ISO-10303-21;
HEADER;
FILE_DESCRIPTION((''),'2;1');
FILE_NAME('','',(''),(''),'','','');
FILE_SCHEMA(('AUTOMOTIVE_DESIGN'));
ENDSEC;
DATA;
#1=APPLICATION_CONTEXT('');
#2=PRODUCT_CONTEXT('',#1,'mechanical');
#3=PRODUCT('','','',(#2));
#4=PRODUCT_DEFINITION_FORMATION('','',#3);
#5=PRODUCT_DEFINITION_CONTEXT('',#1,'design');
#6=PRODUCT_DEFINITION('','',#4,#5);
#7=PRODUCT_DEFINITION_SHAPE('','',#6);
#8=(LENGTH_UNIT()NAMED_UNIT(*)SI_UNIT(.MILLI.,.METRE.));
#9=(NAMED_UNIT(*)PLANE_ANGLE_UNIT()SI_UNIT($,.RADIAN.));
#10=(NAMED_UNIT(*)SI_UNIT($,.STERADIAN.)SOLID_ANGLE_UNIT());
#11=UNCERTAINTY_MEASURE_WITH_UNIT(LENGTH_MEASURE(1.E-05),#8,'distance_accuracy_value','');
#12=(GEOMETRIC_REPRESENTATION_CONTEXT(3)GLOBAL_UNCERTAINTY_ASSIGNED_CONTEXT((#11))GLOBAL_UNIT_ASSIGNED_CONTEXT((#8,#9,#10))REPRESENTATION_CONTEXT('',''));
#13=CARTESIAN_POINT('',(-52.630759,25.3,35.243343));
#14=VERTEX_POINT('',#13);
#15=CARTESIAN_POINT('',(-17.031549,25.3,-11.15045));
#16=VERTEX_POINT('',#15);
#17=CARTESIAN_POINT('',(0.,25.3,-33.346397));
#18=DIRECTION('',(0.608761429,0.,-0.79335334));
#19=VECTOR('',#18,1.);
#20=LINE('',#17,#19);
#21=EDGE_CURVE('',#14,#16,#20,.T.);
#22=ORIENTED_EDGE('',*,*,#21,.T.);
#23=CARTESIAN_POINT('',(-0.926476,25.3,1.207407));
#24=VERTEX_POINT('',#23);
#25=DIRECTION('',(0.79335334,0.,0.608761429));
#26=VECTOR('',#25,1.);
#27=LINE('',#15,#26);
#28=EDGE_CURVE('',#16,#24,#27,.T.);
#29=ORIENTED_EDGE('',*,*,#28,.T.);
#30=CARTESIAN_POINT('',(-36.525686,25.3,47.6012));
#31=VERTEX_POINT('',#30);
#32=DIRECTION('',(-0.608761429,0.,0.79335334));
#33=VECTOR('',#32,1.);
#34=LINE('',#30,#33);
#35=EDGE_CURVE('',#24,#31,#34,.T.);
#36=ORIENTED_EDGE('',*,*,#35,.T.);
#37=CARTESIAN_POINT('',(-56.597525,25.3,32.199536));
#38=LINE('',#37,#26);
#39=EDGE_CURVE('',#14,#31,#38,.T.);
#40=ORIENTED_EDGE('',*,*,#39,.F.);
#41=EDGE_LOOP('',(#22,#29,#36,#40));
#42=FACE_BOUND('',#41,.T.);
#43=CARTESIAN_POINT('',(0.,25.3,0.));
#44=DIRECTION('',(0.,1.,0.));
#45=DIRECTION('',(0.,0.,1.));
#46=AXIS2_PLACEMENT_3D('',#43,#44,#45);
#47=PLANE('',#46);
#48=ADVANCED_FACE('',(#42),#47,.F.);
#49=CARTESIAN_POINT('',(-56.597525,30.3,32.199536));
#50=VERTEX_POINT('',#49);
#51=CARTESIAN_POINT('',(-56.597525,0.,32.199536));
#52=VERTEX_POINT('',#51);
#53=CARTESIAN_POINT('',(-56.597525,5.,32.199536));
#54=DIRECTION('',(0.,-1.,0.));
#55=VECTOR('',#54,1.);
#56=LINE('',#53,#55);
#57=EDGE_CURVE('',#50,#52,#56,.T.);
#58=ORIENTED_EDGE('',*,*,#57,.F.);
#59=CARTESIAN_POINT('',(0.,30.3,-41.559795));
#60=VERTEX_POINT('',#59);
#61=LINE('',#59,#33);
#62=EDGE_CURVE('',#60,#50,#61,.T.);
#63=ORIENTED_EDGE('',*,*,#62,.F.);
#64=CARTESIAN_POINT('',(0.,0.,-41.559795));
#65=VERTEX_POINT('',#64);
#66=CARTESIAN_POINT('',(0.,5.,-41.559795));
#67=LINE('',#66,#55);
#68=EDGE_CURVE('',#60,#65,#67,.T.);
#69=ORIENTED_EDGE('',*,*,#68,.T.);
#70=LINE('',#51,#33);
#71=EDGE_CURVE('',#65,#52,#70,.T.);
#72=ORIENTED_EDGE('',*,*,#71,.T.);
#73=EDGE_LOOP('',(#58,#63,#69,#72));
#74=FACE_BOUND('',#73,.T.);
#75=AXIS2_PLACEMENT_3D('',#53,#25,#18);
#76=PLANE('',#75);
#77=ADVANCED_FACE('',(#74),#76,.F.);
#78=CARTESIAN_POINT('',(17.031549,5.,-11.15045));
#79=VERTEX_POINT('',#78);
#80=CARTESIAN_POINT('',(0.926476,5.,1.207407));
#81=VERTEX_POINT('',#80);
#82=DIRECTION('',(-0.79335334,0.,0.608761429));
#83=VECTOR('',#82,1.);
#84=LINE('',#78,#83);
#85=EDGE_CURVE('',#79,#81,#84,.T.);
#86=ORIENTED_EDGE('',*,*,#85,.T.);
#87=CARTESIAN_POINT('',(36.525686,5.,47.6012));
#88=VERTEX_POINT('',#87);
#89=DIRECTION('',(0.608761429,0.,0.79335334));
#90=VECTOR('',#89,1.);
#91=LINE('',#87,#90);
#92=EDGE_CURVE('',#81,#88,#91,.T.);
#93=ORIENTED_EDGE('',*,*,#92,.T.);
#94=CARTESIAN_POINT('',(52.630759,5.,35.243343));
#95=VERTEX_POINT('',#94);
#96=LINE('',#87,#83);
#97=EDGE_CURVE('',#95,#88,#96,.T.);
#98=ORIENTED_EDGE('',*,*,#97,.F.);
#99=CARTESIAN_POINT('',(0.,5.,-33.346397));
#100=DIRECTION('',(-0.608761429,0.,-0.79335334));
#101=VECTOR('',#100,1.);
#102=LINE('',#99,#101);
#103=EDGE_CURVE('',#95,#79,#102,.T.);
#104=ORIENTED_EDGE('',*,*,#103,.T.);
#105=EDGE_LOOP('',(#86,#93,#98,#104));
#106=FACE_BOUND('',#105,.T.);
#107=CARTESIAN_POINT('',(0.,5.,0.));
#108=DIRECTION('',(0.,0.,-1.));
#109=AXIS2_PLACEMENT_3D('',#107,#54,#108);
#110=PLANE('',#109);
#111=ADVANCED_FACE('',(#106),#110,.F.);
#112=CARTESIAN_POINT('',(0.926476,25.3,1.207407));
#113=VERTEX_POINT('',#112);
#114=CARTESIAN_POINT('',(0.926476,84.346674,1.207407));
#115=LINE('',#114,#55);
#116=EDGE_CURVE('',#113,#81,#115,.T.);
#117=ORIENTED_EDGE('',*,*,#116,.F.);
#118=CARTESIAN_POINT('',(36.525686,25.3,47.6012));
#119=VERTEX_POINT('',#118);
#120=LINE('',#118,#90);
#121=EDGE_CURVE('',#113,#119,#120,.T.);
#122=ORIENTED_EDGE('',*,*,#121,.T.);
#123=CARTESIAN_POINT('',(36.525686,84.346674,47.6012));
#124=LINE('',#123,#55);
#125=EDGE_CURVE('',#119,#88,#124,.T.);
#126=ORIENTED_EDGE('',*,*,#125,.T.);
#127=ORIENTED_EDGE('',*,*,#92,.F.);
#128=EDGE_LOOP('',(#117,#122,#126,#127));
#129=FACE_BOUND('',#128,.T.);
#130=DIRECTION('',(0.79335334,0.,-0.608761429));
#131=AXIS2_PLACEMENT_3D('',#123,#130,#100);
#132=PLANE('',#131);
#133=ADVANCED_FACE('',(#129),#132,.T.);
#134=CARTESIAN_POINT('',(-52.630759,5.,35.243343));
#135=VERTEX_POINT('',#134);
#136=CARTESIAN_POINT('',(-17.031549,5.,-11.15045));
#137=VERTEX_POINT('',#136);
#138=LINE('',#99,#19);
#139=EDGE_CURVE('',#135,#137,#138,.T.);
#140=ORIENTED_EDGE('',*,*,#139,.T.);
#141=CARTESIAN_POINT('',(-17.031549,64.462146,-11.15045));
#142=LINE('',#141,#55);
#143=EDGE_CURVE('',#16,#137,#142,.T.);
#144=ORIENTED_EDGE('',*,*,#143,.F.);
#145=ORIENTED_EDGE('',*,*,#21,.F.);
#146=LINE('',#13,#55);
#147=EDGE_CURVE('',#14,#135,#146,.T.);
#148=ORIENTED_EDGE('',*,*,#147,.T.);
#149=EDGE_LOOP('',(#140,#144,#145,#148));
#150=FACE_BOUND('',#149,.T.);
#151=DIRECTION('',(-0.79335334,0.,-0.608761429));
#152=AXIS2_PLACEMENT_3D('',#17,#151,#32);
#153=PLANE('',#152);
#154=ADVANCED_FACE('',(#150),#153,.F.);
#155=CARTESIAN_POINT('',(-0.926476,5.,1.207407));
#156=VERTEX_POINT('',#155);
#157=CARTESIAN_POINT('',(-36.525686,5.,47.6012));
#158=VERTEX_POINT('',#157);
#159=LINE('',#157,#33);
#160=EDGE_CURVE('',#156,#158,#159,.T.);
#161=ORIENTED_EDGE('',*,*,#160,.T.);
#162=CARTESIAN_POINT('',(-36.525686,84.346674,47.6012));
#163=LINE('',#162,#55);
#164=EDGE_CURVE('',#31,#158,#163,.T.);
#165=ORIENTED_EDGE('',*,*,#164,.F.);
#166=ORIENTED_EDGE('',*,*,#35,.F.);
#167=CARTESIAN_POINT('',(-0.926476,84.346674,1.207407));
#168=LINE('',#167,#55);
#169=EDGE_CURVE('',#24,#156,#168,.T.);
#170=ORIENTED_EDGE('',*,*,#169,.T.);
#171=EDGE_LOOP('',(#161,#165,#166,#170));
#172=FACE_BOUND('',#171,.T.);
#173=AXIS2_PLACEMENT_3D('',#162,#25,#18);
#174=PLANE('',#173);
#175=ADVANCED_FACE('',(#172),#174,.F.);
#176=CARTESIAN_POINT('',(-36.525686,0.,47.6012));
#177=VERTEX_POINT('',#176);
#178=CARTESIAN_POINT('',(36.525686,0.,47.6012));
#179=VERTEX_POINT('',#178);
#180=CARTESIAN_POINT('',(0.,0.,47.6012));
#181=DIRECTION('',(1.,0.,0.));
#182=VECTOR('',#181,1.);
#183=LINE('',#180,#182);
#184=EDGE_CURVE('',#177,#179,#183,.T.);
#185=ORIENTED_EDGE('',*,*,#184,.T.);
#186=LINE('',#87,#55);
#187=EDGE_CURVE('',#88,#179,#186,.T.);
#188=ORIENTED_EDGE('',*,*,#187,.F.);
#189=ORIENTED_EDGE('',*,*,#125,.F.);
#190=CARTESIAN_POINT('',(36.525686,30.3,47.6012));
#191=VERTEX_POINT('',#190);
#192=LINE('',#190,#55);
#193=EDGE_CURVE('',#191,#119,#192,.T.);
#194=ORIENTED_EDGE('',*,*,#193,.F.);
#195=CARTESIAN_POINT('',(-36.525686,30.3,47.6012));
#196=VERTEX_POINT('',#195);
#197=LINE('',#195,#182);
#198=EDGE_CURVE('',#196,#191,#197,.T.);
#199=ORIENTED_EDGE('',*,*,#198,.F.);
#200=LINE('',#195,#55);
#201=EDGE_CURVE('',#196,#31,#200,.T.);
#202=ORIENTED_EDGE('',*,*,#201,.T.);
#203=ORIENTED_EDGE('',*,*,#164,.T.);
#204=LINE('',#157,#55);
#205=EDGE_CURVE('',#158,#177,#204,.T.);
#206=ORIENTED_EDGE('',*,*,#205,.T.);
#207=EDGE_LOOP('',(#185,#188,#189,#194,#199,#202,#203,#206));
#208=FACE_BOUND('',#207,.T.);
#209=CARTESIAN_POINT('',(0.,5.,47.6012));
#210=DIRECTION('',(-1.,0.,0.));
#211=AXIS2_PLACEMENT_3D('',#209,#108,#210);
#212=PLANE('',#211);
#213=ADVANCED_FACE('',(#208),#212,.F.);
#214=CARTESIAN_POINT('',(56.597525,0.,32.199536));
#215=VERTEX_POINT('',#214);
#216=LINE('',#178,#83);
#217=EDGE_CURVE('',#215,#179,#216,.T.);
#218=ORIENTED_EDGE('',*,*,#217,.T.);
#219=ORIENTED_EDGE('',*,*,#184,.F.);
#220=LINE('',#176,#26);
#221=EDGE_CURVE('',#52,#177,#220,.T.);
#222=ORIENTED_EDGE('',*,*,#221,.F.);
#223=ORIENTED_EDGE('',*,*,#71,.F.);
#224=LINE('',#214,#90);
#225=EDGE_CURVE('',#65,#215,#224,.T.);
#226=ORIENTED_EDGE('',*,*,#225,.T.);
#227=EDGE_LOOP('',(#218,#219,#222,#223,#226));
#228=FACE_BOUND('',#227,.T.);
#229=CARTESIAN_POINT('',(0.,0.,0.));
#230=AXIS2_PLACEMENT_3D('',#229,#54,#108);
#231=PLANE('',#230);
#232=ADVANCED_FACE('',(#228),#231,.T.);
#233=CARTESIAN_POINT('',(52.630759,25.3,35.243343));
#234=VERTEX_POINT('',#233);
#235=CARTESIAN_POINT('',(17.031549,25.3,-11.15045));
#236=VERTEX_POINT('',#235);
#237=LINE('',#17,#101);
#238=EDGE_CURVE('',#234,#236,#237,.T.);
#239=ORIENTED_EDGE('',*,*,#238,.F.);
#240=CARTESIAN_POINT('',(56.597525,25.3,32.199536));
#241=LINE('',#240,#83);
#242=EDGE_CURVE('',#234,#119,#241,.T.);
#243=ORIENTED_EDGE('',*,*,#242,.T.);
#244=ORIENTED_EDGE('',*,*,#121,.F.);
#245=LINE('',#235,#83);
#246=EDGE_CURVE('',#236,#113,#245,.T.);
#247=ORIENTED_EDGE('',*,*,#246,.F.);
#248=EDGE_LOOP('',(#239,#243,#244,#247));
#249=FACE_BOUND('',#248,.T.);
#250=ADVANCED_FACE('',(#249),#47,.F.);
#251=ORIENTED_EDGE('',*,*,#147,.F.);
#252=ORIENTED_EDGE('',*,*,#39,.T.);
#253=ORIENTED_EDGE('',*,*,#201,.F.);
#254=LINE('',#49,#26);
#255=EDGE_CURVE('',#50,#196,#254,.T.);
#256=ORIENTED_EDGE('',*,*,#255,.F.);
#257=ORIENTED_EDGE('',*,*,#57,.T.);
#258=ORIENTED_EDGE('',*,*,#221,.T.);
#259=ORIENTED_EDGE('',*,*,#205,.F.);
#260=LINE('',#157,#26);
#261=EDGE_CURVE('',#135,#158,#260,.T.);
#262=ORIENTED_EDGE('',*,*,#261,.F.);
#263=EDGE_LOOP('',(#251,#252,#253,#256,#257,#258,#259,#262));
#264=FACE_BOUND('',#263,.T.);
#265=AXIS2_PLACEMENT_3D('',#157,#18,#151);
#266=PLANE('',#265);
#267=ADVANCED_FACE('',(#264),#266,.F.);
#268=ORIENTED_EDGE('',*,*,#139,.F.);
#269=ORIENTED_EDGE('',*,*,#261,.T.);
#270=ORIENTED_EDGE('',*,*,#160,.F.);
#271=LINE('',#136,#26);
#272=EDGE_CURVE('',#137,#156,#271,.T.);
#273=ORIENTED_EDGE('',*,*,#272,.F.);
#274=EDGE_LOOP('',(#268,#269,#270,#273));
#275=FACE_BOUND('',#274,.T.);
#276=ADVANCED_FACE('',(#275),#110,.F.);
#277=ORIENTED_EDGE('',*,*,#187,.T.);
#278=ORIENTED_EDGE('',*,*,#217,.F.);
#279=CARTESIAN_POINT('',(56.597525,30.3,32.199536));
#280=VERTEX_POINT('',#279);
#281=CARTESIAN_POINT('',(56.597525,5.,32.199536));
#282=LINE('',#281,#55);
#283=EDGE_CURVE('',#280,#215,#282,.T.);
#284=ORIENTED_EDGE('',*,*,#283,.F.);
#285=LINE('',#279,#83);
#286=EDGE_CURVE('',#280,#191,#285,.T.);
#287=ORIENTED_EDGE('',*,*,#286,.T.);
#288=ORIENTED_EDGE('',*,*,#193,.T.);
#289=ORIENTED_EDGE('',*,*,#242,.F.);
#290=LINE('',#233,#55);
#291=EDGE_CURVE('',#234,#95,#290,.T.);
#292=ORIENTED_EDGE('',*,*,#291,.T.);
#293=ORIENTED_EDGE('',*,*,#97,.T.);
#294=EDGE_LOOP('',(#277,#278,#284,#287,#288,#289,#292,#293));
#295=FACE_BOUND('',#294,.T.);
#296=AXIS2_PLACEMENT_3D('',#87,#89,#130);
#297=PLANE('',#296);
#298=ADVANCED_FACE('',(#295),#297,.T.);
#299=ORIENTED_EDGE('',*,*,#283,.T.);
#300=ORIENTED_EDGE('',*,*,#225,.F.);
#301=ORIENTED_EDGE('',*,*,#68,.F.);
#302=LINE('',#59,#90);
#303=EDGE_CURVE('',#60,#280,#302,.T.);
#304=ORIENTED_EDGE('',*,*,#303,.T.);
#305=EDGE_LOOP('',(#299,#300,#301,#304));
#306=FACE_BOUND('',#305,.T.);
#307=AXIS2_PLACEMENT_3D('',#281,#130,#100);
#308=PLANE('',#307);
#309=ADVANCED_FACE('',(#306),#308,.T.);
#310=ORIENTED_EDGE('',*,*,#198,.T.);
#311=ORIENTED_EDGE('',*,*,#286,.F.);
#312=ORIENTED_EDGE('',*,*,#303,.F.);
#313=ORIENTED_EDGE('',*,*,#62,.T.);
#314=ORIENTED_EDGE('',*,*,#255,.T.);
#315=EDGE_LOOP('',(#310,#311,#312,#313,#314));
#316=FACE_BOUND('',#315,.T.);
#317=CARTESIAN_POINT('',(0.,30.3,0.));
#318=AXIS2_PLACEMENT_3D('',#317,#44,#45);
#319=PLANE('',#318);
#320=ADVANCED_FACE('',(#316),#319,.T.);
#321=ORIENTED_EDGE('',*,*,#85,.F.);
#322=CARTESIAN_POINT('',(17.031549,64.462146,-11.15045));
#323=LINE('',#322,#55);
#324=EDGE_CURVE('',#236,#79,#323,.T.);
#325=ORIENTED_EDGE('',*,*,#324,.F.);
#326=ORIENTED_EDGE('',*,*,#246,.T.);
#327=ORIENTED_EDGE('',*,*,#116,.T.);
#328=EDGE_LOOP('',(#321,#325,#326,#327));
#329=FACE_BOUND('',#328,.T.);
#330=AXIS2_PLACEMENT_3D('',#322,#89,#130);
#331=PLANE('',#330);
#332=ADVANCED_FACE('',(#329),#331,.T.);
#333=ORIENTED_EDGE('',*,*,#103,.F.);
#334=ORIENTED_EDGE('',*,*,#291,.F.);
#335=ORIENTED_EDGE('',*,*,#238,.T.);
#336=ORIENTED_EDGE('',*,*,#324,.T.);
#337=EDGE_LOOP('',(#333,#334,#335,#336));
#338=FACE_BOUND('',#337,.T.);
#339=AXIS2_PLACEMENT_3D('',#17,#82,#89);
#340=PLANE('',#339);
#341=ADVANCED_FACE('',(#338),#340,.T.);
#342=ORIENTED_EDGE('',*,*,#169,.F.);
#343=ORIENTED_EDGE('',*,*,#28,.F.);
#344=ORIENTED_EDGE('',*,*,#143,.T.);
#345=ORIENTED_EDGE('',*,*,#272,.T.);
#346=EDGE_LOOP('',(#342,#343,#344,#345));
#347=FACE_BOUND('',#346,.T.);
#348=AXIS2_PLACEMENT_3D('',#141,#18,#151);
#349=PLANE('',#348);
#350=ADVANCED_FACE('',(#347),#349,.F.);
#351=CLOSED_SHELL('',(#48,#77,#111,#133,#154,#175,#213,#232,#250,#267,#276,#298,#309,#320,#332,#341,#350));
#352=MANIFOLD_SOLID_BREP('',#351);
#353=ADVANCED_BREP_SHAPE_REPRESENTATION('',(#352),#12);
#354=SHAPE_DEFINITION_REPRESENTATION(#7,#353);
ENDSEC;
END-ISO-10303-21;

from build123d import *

# Parameters (mm, degrees)
BOSS_EXTRUDE1_DEPTH = 5
BOSS_EXTRUDE2_DEPTH = 20.3
BOSS_EXTRUDE3_DEPTH = 5
BOSS_EXTRUDE4_DEPTH = 20.3
BOSS_EXTRUDE5_DEPTH = 20.3


with BuildPart() as part:
    # Sketch2 → Boss-Extrude1 (new body)
    with BuildSketch(Plane(origin=(0, 0, 0), x_dir=(1, 0, 0), z_dir=(0, 1, 0))):
        Polygon((-56.59752525, -32.199536264), (0, 41.559794682), (0, -47.601200417), (-36.525685741, -47.601200417), align=None)
    boss_extrude1 = extrude(amount=BOSS_EXTRUDE1_DEPTH)

    # Sketch4 → Boss-Extrude2 (add)
    with BuildSketch(Plane(origin=(0, 5, 0), x_dir=(1, 0, 0), z_dir=(0, 1, 0))):
        Polygon((-56.59752525, -32.199536264), (-52.630758548, -35.243343409), (0, 33.346396524), (0, 41.559794682), align=None)
    boss_extrude2 = extrude(amount=BOSS_EXTRUDE2_DEPTH)

    # Sketch5 → Boss-Extrude3 (add)
    with BuildSketch(Plane(origin=(0, 25.3, 0), x_dir=(1, 0, 0), z_dir=(0, 1, 0))):
        Polygon((-56.59752525, -32.199536264), (-36.525685741, -47.601200417), (0, -47.601200417), (0, 41.559794682), align=None)
    boss_extrude3 = extrude(amount=BOSS_EXTRUDE3_DEPTH)

    # Sketch6 → Boss-Extrude4 (add)
    with BuildSketch(Plane(origin=(0, 5, 0), x_dir=(1, 0, 0), z_dir=(0, 1, 0))):
        Polygon((-17.031549002, 11.150449726), (0, -1.91831747), (0, 33.346396524), align=None)
    boss_extrude4 = extrude(amount=BOSS_EXTRUDE4_DEPTH)

    # Sketch7 → Boss-Extrude5 (add)
    with BuildSketch(Plane(origin=(0, 5, 0), x_dir=(1, 0, 0), z_dir=(0, 1, 0))):
        Polygon((-36.525685741, -47.601200417), (-0.926476194, -1.207407283), (0, -1.91831747), (0, -47.601200417), align=None)
    boss_extrude5 = extrude(amount=BOSS_EXTRUDE5_DEPTH)

    # Mirror2: Boss-Extrude1, Boss-Extrude2, Boss-Extrude3, Boss-Extrude4, Boss-Extrude5 across plane
    add(boss_extrude1.mirror(Plane(origin=(0, 5, -41.559794682), x_dir=(0, 0, 1), z_dir=(-1, 0, 0))))
    add(boss_extrude2.mirror(Plane(origin=(0, 5, -41.559794682), x_dir=(0, 0, 1), z_dir=(-1, 0, 0))))
    add(boss_extrude3.mirror(Plane(origin=(0, 5, -41.559794682), x_dir=(0, 0, 1), z_dir=(-1, 0, 0))))
    add(boss_extrude4.mirror(Plane(origin=(0, 5, -41.559794682), x_dir=(0, 0, 1), z_dir=(-1, 0, 0))))
    add(boss_extrude5.mirror(Plane(origin=(0, 5, -41.559794682), x_dir=(0, 0, 1), z_dir=(-1, 0, 0))))


solid = part.part
